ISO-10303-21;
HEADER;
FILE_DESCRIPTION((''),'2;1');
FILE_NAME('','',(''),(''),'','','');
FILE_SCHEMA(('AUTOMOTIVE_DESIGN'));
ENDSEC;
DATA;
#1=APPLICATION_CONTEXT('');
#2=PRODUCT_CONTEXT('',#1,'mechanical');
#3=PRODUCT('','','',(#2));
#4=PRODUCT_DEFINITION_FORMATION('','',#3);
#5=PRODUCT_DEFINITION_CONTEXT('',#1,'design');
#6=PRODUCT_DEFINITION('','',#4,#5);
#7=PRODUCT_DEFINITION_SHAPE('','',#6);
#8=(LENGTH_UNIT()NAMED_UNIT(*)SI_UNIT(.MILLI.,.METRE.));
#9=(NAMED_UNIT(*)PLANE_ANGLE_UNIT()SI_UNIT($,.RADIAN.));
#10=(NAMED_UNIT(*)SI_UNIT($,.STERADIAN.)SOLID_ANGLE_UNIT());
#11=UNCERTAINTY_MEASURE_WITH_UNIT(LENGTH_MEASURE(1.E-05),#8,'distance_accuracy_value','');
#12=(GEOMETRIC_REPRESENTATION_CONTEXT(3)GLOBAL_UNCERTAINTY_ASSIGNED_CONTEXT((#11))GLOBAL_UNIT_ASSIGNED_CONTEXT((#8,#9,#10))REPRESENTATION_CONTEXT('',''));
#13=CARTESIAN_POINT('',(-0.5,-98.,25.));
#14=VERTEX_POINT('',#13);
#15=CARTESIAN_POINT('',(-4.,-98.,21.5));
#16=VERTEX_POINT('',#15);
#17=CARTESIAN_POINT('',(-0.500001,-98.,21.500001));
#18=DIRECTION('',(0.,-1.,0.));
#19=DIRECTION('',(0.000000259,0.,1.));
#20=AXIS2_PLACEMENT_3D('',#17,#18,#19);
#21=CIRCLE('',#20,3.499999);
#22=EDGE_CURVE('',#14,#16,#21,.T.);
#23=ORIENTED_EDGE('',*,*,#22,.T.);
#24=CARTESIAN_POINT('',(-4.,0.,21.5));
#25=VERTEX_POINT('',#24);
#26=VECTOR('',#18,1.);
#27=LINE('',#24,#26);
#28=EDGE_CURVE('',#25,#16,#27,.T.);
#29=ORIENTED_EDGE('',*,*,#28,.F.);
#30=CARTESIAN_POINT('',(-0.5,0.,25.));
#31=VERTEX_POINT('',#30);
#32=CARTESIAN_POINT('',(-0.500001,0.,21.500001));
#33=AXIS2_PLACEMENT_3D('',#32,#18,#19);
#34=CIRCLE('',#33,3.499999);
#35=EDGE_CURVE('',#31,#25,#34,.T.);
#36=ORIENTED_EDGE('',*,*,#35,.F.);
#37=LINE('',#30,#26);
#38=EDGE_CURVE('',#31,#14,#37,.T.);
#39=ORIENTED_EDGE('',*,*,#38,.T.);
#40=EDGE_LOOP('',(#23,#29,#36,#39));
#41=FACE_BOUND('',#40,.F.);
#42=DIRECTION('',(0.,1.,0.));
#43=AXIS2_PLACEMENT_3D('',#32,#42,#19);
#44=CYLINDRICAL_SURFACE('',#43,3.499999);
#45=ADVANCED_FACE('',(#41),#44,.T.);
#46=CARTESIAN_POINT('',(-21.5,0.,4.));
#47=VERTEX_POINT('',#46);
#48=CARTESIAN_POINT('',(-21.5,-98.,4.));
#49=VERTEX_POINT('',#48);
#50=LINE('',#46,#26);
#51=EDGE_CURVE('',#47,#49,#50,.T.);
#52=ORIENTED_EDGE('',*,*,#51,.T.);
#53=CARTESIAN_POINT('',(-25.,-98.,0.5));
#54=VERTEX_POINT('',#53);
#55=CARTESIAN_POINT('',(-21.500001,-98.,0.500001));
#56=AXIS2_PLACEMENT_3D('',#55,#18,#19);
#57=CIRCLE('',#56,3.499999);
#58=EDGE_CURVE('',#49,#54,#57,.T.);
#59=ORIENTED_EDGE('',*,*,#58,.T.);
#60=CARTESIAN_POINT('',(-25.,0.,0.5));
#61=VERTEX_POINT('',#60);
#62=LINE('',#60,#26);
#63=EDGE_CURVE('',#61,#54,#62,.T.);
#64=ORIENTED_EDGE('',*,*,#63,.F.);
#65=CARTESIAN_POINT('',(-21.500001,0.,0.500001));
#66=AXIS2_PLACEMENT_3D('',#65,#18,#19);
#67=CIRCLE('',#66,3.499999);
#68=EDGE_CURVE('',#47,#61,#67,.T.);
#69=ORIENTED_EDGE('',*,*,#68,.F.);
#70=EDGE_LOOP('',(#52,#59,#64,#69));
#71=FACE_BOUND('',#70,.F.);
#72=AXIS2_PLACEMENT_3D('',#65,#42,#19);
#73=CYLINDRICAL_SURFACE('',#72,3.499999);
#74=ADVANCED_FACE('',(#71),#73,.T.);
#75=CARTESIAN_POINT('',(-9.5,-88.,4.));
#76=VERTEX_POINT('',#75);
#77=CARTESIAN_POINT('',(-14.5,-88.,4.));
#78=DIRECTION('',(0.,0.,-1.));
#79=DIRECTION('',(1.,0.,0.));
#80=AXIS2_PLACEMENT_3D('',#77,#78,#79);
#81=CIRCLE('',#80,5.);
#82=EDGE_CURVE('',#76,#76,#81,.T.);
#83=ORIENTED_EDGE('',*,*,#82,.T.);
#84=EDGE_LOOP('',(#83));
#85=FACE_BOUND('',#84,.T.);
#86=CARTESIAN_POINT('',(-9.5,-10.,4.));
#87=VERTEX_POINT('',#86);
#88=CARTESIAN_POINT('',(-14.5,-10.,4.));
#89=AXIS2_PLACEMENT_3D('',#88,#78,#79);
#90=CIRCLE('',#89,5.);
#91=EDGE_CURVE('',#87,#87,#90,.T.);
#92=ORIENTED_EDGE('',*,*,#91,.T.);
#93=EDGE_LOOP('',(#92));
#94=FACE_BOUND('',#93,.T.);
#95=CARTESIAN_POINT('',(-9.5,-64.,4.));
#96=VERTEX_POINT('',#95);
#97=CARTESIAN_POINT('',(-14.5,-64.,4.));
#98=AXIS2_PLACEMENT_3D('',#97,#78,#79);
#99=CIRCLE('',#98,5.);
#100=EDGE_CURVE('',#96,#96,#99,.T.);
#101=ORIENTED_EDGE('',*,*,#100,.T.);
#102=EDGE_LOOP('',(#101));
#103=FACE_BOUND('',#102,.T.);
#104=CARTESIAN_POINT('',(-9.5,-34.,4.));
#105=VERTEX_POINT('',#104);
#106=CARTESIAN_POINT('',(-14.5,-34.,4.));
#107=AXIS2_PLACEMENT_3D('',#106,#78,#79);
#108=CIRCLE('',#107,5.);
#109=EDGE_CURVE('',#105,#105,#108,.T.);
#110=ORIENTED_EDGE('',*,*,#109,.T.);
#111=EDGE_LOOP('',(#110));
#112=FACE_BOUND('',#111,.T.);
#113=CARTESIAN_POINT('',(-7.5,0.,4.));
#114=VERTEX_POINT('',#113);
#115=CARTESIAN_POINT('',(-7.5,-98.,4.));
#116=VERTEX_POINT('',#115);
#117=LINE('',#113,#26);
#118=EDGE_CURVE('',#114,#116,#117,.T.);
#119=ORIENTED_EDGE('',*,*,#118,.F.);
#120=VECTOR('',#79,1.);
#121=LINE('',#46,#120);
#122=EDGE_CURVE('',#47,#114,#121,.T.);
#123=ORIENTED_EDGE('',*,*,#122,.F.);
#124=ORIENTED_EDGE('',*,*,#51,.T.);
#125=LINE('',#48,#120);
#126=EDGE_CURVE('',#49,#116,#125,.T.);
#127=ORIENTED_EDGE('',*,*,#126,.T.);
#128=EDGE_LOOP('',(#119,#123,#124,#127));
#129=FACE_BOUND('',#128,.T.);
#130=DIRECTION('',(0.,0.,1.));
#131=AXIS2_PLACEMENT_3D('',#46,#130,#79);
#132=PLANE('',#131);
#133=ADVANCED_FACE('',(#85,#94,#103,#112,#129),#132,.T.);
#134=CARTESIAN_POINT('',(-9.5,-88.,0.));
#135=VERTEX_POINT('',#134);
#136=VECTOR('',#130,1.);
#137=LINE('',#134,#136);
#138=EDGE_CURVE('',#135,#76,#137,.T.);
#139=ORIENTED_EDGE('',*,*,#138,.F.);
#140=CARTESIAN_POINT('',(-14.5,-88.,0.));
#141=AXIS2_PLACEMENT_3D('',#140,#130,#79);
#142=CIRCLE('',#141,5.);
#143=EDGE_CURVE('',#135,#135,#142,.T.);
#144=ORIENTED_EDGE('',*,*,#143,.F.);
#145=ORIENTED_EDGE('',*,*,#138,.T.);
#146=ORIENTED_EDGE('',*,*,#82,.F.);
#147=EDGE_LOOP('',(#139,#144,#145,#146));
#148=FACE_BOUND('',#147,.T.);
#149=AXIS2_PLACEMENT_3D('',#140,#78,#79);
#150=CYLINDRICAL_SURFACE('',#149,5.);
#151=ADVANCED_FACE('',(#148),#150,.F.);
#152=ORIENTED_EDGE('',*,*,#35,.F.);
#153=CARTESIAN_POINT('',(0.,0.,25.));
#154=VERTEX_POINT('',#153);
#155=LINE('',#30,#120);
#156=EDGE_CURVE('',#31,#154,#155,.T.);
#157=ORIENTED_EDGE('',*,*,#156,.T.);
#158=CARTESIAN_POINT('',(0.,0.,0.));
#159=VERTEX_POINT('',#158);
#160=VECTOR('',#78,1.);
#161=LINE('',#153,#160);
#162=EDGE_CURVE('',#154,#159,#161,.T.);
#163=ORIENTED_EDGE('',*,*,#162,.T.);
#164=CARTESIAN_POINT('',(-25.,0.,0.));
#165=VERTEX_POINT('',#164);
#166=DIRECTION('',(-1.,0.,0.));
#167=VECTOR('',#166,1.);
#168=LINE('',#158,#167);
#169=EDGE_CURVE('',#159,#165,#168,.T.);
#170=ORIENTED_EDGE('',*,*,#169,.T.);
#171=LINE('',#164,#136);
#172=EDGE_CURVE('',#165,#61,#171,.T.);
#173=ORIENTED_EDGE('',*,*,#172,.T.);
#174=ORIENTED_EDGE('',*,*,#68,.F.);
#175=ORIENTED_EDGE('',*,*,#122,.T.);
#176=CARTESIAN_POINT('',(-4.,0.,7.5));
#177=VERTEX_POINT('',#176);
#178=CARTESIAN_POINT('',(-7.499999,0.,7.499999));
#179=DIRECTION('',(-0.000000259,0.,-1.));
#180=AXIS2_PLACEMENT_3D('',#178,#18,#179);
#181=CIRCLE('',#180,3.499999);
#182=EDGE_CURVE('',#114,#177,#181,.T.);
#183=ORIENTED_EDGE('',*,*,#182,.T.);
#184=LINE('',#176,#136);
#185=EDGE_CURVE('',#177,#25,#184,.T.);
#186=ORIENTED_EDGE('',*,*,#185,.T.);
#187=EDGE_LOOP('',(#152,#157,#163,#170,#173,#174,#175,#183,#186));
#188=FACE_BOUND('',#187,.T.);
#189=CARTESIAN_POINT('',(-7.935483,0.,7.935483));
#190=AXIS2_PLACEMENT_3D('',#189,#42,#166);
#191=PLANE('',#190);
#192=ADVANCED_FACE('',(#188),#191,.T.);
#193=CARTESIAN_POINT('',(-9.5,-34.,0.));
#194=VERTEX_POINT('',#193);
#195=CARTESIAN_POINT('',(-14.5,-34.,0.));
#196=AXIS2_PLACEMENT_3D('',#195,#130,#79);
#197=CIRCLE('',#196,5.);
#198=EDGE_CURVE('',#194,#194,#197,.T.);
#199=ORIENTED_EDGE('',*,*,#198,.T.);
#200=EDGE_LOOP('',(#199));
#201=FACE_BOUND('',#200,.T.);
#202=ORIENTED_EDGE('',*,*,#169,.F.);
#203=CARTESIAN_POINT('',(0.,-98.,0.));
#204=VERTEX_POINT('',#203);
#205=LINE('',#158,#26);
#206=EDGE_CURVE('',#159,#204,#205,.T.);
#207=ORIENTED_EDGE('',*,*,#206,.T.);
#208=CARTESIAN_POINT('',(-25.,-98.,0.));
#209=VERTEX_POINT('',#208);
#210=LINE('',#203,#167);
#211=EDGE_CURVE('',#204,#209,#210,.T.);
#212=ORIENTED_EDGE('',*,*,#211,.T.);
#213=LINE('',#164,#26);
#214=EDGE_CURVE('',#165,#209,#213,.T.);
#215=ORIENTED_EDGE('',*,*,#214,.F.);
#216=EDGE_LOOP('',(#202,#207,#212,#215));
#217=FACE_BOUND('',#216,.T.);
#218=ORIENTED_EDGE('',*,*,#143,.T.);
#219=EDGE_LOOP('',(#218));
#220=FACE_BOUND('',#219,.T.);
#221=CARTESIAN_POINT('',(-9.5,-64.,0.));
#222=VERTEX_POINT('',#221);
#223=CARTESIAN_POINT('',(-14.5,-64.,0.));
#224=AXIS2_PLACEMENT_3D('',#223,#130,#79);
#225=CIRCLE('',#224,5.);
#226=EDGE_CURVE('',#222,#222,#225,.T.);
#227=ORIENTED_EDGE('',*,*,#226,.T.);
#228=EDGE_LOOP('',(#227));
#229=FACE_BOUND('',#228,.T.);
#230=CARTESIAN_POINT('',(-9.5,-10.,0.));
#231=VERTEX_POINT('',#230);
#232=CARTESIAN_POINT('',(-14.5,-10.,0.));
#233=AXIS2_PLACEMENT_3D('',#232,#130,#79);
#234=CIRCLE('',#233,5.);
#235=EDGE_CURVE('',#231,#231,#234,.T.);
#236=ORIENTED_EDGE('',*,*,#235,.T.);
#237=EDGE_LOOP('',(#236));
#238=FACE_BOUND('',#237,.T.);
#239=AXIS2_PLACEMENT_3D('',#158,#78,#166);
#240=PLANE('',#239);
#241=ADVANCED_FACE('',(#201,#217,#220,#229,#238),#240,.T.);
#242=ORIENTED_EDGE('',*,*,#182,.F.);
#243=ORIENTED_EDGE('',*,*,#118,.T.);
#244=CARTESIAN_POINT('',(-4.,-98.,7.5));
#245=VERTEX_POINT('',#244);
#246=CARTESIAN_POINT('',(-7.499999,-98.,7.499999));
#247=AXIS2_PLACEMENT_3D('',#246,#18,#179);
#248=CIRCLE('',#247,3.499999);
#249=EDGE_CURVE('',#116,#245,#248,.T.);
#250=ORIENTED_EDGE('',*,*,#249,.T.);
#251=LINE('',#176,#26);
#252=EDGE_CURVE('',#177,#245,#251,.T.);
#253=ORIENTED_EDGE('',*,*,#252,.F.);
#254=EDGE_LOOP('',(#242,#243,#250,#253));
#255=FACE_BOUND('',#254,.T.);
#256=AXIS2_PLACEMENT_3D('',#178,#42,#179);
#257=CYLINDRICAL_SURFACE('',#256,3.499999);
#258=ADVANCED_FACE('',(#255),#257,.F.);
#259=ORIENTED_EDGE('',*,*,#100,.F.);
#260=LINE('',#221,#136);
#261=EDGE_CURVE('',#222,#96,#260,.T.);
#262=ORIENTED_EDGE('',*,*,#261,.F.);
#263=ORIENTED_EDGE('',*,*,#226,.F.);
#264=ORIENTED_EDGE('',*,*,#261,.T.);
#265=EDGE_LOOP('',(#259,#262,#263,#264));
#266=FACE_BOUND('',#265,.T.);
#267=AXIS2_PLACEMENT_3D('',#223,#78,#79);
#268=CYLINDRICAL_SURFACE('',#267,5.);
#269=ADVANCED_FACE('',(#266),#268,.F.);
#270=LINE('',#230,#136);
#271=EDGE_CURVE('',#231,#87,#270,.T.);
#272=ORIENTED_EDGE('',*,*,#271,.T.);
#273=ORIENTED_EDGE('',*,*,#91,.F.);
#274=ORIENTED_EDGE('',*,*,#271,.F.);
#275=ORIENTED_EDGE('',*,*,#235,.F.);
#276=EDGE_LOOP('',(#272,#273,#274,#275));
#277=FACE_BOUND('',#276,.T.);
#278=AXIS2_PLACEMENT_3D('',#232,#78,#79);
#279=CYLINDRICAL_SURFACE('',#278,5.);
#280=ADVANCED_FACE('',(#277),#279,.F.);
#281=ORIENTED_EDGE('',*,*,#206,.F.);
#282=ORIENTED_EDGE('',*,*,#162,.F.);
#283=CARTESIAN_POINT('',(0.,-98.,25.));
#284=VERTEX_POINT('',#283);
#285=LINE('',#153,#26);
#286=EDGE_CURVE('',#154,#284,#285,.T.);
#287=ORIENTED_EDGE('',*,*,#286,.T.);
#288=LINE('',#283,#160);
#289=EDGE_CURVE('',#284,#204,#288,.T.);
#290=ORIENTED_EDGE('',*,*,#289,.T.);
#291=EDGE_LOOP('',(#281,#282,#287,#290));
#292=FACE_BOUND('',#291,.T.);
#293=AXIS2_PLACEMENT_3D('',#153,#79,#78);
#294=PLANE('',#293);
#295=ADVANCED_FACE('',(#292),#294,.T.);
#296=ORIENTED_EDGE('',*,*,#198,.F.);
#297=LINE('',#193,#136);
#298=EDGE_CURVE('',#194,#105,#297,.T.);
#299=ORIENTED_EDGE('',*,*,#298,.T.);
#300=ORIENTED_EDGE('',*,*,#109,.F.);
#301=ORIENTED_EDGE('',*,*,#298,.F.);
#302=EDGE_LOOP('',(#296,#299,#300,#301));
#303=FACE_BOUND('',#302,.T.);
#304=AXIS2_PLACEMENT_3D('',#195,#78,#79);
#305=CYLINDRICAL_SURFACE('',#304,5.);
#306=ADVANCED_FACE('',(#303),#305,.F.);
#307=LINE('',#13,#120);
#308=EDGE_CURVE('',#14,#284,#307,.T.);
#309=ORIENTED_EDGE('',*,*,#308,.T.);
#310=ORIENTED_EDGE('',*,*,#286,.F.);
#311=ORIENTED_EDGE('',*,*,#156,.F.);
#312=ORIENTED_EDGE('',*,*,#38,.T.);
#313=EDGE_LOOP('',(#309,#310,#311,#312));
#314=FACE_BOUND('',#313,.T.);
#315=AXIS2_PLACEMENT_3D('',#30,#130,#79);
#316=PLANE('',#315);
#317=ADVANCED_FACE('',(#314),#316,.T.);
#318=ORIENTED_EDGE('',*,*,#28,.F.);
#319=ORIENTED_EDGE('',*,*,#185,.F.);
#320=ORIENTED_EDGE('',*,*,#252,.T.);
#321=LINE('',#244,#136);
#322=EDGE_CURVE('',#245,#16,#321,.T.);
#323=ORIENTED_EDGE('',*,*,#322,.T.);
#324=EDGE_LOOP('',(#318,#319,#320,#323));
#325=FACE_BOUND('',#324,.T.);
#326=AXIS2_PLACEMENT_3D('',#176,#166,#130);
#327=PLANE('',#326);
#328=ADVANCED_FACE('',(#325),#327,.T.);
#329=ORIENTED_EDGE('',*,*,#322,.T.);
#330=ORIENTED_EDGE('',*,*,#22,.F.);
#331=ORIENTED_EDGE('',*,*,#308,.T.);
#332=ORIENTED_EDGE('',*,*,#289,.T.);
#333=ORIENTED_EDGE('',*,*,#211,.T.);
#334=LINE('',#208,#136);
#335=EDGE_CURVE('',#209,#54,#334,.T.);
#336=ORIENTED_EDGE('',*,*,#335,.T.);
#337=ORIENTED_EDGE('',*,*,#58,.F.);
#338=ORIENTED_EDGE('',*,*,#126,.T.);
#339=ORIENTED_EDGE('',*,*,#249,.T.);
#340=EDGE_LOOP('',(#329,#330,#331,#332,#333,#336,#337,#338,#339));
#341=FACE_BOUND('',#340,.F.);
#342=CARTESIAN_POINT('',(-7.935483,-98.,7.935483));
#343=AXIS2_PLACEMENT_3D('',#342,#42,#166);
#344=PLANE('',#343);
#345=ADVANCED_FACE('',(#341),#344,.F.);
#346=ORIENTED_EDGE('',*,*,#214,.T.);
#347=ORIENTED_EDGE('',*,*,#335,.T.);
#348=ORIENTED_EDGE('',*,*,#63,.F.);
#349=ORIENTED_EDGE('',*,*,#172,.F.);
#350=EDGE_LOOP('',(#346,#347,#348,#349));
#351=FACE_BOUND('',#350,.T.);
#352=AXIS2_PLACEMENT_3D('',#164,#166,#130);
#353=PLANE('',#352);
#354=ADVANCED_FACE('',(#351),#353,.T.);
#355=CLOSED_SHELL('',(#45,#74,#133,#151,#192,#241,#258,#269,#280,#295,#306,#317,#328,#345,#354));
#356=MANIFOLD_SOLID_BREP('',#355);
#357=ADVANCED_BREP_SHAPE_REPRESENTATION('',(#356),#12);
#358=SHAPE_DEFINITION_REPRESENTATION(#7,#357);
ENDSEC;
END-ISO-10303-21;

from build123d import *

# Parameters (mm, degrees)
PAD_DEPTH    = 98
SKETCH001_R  = 5
POCKET_DEPTH = 25.001


with BuildPart() as part:
    # Sketch → Pad (new body)
    with BuildSketch(Plane.XZ):
        with BuildLine():
            Line((0, 0), (-25, 0))
            Line((-25, 0), (-25, 0.5))
            ThreePointArc((-21.5, 4), (-23.974874, 2.974874), (-25, 0.5))
            Line((-21.5, 4), (-7.5, 4))
            ThreePointArc((-7.5, 4), (-5.025126, 5.025126), (-4, 7.5))
            Line((-4, 7.5), (-4, 21.5))
            ThreePointArc((-0.5, 25), (-2.974874, 23.974874), (-4, 21.5))
            Line((-0.5, 25), (0, 25))
            Line((0, 25), (0, 0))
        make_face()
    extrude(amount=PAD_DEPTH)

    # Sketch001 → Pocket (cut, through all)
    with BuildSketch(Plane.XY):
        with Locations((-14.5, -10)):
            Circle(SKETCH001_R)
        with Locations((-14.5, -34)):
            Circle(SKETCH001_R)
        with Locations((-14.5, -88)):
            Circle(SKETCH001_R)
        with Locations((-14.5, -64)):
            Circle(SKETCH001_R)
    extrude(amount=POCKET_DEPTH, mode=Mode.SUBTRACT)


solid = part.part
